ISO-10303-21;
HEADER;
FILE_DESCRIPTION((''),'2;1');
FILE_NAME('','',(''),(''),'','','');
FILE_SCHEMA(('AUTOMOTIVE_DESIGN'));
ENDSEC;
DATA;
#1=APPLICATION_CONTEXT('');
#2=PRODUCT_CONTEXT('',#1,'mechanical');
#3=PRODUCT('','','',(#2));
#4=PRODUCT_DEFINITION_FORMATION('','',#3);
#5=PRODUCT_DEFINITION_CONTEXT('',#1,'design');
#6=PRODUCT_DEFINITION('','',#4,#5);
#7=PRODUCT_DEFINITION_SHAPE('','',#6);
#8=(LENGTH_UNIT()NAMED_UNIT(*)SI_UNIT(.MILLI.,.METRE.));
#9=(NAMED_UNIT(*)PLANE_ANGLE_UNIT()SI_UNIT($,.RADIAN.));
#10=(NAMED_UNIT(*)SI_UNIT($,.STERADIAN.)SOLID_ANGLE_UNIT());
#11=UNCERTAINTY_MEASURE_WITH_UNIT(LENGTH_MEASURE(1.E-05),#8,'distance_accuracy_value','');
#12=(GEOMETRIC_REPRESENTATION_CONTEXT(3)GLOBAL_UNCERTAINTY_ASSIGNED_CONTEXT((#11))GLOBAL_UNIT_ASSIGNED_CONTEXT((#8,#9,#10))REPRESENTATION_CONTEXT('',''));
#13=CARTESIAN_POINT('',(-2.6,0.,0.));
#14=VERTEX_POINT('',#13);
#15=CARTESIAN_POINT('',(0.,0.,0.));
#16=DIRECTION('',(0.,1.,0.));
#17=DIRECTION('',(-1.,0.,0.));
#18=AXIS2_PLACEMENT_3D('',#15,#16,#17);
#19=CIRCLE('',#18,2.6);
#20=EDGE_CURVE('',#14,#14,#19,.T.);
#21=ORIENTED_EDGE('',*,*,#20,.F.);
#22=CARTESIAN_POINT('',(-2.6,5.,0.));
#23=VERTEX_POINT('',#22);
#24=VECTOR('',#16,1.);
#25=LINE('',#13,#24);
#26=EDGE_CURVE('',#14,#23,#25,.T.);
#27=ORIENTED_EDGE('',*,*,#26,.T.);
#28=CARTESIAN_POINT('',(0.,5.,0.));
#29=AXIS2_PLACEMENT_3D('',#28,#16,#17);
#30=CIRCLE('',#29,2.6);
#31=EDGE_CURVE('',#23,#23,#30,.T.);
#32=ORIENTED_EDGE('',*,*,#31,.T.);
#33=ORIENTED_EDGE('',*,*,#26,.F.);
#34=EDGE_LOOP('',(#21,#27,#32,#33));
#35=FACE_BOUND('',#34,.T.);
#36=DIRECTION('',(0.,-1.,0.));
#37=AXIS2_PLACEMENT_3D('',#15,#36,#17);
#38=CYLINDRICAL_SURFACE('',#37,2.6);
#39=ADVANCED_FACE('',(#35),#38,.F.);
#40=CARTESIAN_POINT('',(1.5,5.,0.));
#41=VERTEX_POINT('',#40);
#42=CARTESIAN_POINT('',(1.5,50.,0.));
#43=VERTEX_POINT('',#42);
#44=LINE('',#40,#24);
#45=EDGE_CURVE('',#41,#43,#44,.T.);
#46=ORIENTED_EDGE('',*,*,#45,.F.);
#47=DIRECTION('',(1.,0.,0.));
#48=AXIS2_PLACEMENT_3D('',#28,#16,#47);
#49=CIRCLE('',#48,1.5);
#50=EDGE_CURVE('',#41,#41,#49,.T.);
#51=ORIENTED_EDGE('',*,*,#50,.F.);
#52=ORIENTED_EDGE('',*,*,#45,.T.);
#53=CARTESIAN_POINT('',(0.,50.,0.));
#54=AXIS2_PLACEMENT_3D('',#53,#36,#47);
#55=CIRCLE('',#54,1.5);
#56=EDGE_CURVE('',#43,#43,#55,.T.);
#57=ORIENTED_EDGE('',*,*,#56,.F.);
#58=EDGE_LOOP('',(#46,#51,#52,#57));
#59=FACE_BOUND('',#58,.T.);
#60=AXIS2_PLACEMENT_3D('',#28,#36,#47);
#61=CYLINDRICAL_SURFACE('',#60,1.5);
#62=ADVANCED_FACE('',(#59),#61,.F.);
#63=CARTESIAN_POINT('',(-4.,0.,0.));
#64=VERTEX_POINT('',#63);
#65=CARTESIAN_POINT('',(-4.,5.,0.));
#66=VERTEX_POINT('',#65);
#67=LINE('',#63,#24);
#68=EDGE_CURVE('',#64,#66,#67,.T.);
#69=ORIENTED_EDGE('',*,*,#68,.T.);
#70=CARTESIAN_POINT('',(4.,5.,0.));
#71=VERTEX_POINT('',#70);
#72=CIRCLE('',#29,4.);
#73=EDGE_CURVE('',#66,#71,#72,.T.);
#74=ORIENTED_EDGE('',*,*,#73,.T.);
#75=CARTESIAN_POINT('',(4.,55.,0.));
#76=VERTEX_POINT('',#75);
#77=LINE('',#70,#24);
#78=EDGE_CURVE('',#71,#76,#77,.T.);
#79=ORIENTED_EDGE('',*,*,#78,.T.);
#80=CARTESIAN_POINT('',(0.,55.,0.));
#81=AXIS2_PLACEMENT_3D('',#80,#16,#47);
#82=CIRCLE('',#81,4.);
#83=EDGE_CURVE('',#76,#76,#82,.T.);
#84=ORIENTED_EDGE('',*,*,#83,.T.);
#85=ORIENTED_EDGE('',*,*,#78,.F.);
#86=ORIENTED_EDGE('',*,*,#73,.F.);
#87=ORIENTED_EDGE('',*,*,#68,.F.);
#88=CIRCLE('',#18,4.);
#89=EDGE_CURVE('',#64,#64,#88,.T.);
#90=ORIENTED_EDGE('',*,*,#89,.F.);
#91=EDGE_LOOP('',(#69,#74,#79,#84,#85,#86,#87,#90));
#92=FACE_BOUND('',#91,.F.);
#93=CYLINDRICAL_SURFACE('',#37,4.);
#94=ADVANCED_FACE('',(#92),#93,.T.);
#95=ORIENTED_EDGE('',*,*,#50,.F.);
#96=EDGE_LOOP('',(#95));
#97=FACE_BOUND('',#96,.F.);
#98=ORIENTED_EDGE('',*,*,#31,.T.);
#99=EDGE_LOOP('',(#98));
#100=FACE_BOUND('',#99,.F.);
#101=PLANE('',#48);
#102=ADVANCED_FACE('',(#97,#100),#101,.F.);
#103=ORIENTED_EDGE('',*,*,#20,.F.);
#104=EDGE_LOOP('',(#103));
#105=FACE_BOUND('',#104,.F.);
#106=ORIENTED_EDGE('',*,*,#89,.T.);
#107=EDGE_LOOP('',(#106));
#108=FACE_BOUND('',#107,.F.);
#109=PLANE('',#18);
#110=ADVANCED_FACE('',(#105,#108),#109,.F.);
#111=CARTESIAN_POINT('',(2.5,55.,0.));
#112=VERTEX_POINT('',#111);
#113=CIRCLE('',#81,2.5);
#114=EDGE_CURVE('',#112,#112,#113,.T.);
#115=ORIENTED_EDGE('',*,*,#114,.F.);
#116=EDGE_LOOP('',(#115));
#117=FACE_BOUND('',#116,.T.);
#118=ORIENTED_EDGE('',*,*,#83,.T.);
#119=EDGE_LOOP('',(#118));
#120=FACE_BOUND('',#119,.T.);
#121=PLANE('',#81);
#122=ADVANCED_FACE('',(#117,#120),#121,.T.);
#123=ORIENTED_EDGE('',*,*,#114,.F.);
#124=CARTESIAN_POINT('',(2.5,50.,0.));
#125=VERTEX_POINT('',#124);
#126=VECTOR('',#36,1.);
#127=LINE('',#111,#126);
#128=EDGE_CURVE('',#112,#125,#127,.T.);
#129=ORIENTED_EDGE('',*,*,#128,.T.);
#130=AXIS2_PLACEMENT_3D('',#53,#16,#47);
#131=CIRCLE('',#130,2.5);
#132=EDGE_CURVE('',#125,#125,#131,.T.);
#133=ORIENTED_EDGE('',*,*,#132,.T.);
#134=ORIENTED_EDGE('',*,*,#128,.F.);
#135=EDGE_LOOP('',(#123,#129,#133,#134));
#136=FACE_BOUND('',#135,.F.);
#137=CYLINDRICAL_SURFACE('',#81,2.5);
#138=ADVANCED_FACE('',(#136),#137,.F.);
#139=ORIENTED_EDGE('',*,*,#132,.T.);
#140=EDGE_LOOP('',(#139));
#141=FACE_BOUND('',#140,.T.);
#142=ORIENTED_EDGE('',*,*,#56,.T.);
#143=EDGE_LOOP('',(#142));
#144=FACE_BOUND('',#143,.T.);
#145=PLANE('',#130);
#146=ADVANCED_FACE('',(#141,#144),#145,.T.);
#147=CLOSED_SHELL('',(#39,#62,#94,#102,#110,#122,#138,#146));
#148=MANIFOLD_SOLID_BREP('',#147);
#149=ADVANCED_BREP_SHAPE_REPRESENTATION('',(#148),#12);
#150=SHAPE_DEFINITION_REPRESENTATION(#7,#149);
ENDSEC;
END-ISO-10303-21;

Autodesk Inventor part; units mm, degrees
ref_plane "YZ Plane" through (0, 0, 0) normal (1, 0, 0) x (0, 1, 0)
ref_plane "XZ Plane" through (0, 0, 0) normal (0, 1, 0) x (-1, 0, 0)
ref_plane "XY Plane" through (0, 0, 0) normal (0, 0, 1) x (1, 0, 0)
sketch "Sketch1" plane through (0, 0, 0) normal (0, 1, 0) x (-1, 0, 0)
  circle A0 centre (0, 0) radius 4
  circle A1 centre (0, 0) radius 2.6
  dimension "d0" = 8
  dimension "d1" = 5.2
extrude "Extrusion1" add sketch "Sketch1" along normal blind 5
sketch "Sketch2" plane through (0, 5, 0) normal (0, 1, 0) x (1, 0, 0)
  circle A0 centre (0, 0) radius 4 projected
  circle A1 centre (0, 0) radius 1.5
  circle A2 centre (0, 0) radius 4
  dimension "d4" = 3
  dimension "d5" = 8
extrude "Extrusion2" add sketch "Sketch2" along normal blind 50
sketch "Sketch3" plane through (0, 55, 0) normal (0, 1, 0) x (1, 0, 0)
  circle A0 centre (0, 0) radius 2.5
  dimension "d8" = 5
extrude "Extrusion3" cut sketch "Sketch3" against normal blind 5
properties part number "MountScrew_test"
